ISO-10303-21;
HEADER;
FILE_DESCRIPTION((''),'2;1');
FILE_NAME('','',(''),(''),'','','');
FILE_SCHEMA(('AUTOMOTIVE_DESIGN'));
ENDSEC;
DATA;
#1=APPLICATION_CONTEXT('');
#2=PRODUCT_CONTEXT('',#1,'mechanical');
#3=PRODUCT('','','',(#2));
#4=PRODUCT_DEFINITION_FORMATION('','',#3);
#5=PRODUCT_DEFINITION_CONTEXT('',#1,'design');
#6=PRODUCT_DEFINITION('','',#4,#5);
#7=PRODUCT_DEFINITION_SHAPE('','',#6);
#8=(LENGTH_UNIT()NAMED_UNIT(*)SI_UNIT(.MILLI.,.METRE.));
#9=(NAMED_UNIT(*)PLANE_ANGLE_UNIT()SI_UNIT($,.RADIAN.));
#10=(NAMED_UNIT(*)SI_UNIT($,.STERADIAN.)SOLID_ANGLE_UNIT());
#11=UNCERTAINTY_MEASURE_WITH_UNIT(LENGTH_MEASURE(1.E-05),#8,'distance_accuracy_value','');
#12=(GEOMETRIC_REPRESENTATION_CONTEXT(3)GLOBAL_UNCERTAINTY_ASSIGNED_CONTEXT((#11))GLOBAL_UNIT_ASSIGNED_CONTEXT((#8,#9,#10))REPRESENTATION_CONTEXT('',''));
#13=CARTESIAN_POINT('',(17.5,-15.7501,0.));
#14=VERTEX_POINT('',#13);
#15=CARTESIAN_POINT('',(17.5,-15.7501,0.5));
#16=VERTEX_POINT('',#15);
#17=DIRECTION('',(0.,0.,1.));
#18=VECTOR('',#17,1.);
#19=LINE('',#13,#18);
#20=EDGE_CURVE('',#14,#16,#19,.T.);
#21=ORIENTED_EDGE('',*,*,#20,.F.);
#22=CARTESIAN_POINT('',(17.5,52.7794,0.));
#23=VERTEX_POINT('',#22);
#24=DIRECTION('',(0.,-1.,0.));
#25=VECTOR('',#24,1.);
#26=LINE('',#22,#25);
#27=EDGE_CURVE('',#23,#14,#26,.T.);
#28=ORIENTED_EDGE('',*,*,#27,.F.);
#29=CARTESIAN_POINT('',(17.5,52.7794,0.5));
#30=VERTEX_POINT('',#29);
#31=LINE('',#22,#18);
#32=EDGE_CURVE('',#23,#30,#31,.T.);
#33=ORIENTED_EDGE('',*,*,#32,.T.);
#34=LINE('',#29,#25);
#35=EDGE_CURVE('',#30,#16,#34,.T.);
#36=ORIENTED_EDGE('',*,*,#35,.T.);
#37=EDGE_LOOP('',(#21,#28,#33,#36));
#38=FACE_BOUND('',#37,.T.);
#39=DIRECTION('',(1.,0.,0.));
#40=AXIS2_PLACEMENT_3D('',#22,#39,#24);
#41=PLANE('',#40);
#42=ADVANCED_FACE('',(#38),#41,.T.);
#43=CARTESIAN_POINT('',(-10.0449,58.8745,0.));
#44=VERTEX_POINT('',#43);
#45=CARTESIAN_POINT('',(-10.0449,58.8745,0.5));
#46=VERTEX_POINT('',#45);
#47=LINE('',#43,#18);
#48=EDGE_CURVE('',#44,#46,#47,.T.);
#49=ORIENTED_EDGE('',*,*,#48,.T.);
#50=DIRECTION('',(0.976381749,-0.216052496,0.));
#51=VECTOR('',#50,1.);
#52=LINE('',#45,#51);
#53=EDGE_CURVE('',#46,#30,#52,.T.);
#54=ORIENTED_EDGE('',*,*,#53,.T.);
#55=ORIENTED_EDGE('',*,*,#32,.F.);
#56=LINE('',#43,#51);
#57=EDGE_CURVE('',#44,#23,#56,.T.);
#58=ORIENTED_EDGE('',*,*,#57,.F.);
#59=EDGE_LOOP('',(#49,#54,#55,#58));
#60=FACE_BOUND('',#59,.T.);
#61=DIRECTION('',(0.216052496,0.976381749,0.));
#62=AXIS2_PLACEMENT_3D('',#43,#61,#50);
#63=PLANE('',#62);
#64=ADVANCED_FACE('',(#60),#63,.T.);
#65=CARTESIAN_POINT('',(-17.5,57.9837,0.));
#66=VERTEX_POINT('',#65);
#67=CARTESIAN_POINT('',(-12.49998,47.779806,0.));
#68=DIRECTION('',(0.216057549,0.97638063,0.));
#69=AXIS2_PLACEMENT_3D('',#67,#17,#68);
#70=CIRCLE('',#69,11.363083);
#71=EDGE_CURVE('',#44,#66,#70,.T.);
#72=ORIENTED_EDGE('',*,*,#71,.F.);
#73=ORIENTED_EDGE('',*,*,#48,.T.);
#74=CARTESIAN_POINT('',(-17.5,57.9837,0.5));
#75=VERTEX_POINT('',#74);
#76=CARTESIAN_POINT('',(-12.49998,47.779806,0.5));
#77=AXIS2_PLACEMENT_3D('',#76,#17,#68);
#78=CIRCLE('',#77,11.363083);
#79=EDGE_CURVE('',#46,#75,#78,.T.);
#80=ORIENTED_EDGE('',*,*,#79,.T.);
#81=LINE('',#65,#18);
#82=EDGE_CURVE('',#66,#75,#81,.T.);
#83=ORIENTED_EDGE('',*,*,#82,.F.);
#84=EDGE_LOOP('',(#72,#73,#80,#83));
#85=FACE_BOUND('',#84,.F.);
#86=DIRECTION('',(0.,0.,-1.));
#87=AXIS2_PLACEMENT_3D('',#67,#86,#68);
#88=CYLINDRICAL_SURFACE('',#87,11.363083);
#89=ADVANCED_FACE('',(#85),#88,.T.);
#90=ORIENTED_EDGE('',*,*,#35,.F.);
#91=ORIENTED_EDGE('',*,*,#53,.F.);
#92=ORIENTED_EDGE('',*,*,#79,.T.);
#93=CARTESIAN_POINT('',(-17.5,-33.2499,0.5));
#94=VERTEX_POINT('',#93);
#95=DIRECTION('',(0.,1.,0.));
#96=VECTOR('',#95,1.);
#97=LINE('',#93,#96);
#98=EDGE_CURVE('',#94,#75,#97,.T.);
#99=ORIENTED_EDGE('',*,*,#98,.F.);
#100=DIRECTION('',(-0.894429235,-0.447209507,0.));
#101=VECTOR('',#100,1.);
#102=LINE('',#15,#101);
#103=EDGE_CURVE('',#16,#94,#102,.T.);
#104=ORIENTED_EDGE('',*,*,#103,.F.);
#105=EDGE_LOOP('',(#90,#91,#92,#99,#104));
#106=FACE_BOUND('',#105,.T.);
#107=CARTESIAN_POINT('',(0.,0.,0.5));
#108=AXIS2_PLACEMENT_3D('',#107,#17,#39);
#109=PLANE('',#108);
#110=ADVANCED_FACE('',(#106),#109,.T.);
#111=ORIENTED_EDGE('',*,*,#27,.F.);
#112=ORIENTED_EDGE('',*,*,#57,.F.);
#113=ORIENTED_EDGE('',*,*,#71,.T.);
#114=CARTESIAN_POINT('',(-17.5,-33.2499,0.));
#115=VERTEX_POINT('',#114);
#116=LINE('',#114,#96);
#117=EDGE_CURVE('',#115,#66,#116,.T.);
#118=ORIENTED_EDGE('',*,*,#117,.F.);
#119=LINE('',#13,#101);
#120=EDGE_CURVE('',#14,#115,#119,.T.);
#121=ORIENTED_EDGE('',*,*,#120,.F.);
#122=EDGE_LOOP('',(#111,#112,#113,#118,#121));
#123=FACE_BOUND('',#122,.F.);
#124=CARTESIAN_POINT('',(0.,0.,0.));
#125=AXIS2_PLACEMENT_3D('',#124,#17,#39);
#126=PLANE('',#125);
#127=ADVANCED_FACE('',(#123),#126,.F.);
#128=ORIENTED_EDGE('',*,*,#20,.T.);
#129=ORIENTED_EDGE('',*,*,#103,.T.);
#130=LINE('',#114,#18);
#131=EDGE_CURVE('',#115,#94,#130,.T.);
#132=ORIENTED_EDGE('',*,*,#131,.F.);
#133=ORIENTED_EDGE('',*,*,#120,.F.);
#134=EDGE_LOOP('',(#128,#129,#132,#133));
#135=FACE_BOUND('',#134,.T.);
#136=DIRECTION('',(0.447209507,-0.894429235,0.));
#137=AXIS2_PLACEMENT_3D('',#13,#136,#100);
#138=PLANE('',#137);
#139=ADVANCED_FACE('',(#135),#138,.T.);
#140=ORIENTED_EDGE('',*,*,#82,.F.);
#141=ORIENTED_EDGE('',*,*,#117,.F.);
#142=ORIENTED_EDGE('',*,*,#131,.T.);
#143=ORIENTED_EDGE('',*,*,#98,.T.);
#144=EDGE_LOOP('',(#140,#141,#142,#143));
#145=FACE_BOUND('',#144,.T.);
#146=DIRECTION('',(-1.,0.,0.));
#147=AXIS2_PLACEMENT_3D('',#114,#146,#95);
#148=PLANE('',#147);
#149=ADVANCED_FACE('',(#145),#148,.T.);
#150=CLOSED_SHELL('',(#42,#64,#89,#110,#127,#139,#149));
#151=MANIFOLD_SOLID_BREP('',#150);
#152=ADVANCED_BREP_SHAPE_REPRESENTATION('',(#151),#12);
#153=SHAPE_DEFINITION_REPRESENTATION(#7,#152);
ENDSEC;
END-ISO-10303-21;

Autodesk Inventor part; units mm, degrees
ref_plane "YZ Plane" through (0, 0, 0) normal (1, 0, 0) x (0, 1, 0)
ref_plane "XZ Plane" through (0, 0, 0) normal (0, 1, 0) x (-1, 0, 0)
ref_plane "XY Plane" through (0, 0, 0) normal (0, 0, 1) x (1, 0, 0)
sketch "Sketch1" plane through (0, 0, 0) normal (0, 0, 1) x (1, 0, 0)
  line L0 (-17.5, -33.2499) -> (-17.5, 57.9837) projected
  arc A0 (-10.0449, 58.8745) -> (-17.5, 57.9837) centre (-12.5, 47.7794) ccw projected
  line L1 (-10.0449, 58.8745) -> (17.5, 52.7794) projected
  line L2 (17.5, 52.7794) -> (17.5, -15.7501) projected
  line L3 (17.5, -15.7501) -> (-17.5, -33.2499) projected
  line L4 (0.5, 7.1892) -> (0.5, 22.231) projected
  line L5 (0.5, 22.231) -> (-5.8925, 22.231) projected
  line L6 (-5.8925, 22.231) -> (-5.8925, 7.1892) projected
  line L7 (-5.8925, 7.1892) -> (0.5, 7.1892) projected
  point P0 (0, 0)
extrude "Extrusion1" add sketch "Sketch1" along normal blind 0.5 contours L0 A0 L1 L2 L3 | L7 L6 L5 L4
properties part number "pokrywa prawa" material "Stal miękka, spawana"
